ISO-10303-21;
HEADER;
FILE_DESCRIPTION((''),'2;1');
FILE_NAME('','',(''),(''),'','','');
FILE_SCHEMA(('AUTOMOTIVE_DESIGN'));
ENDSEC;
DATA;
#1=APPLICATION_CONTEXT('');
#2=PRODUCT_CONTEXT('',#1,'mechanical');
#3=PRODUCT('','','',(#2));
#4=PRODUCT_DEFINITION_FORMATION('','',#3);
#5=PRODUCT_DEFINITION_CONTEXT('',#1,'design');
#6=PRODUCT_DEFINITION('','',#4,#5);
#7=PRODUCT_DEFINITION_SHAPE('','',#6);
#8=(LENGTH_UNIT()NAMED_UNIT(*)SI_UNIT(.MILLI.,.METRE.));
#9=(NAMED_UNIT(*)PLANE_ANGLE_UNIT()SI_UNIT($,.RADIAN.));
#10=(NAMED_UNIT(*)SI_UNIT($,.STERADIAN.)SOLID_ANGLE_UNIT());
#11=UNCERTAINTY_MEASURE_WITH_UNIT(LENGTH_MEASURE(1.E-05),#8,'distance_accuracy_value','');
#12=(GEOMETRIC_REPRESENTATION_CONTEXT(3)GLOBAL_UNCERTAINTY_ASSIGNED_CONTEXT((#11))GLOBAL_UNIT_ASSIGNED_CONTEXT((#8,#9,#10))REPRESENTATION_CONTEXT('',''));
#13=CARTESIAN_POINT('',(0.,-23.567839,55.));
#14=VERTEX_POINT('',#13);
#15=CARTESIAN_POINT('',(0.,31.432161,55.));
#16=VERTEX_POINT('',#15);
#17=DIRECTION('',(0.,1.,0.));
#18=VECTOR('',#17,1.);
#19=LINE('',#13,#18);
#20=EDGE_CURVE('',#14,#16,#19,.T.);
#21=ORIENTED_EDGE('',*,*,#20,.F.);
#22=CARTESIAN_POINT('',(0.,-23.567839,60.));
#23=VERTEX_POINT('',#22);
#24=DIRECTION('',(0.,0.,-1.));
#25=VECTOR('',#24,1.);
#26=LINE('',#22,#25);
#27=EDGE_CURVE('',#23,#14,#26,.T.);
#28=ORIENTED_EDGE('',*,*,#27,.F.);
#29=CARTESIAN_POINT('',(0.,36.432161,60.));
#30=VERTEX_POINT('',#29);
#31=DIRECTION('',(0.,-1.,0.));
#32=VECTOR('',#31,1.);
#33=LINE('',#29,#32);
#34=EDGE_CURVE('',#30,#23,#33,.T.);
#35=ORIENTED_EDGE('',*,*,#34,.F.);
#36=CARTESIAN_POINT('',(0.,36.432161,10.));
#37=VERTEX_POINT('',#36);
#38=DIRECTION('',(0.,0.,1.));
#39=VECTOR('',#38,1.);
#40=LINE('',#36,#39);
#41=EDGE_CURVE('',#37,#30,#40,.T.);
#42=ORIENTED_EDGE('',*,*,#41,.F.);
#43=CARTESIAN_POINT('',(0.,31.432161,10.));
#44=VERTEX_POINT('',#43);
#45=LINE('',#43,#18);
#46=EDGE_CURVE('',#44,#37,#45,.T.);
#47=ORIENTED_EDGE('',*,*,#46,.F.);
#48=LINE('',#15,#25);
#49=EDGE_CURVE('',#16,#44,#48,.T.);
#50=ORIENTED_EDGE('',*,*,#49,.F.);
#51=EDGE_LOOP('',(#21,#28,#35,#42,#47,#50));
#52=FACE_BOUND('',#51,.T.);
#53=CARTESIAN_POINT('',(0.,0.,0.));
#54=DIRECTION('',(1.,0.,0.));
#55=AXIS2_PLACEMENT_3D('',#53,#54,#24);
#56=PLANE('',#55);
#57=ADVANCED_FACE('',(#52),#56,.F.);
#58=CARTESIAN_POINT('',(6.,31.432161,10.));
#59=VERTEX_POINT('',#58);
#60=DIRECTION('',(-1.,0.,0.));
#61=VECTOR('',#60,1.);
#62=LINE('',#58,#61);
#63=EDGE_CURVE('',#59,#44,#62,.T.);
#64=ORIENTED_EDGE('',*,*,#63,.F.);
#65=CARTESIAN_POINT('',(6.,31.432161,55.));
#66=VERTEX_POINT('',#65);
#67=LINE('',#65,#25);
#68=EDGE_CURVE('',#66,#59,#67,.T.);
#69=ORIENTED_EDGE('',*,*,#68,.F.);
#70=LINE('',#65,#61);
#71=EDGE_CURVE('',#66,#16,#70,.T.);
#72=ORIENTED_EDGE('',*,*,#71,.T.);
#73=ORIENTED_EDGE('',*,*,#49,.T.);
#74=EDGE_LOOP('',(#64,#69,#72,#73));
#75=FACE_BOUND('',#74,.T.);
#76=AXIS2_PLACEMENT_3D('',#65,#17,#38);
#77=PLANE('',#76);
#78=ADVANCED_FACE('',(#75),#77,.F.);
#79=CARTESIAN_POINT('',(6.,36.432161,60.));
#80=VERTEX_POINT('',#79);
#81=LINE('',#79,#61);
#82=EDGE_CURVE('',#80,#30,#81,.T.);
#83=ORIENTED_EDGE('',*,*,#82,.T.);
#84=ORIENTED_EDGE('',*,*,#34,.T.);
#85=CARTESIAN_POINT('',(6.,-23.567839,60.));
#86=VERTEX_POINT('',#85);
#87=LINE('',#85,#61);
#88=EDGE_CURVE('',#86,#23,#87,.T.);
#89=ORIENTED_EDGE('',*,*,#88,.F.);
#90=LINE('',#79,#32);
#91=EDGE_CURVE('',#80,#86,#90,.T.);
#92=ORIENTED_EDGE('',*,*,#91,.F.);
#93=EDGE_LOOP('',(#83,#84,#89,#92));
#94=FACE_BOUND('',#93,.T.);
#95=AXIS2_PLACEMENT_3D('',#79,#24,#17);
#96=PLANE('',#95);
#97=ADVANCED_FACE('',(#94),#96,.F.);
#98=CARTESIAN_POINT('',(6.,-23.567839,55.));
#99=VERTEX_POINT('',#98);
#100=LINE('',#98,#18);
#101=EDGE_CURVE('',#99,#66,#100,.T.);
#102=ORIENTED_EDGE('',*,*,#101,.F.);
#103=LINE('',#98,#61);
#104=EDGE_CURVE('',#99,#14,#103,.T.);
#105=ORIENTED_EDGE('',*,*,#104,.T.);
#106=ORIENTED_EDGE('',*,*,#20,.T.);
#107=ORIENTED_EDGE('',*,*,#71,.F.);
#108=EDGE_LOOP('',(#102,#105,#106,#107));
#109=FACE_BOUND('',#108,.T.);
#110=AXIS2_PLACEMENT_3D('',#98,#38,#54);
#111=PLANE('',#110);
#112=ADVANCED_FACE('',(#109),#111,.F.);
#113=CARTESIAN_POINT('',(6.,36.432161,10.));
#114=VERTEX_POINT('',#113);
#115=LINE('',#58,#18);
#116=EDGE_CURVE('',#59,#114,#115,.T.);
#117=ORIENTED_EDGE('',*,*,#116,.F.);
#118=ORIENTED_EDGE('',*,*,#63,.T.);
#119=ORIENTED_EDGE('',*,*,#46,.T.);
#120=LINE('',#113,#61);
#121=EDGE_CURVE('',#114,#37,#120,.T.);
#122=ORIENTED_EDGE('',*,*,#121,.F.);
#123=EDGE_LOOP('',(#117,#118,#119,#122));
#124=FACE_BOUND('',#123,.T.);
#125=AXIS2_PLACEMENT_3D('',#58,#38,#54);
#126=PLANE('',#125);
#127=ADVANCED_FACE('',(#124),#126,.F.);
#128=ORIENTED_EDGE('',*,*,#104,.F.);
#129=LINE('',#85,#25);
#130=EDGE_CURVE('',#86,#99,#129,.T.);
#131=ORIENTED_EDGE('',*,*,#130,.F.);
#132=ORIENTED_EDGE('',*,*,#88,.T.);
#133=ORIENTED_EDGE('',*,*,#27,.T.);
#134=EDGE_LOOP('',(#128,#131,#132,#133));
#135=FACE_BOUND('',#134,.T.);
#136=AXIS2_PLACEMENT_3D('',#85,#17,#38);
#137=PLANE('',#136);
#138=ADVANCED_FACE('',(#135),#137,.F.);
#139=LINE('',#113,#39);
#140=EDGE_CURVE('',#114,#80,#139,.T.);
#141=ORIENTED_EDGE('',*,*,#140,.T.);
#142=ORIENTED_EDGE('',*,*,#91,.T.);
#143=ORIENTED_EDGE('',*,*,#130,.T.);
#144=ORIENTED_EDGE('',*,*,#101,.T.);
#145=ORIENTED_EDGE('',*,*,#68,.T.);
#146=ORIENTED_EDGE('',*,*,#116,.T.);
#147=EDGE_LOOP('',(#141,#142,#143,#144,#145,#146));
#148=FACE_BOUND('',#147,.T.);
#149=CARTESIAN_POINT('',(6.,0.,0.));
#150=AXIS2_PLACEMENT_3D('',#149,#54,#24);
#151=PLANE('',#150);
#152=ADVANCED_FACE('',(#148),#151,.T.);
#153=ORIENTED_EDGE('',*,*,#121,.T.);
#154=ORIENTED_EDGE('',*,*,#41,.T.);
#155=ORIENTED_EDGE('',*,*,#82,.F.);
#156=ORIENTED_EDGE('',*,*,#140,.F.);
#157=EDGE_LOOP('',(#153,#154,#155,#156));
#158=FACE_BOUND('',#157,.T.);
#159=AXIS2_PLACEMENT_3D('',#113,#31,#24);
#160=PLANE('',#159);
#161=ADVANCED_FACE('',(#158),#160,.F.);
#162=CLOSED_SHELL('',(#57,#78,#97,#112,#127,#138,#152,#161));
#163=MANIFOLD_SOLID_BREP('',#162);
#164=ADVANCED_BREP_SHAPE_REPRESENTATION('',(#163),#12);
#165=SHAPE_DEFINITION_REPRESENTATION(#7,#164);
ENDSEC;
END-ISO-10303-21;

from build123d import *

# Parameters (mm, degrees)
BOSS_EXTRUDE1_DEPTH = 6


with BuildPart() as part:
    # Sketch1 → Boss-Extrude1 (new body)
    with BuildSketch(Plane(origin=(0, 0, 0), x_dir=(0, 0, -1), z_dir=(1, 0, 0))):
        Polygon((-10, 36.432160804), (-60, 36.432160804), (-60, -23.567839196), (-55, -23.567839196), (-55, 31.432160804), (-10, 31.432160804), align=None)
    extrude(amount=BOSS_EXTRUDE1_DEPTH)


solid = part.part
